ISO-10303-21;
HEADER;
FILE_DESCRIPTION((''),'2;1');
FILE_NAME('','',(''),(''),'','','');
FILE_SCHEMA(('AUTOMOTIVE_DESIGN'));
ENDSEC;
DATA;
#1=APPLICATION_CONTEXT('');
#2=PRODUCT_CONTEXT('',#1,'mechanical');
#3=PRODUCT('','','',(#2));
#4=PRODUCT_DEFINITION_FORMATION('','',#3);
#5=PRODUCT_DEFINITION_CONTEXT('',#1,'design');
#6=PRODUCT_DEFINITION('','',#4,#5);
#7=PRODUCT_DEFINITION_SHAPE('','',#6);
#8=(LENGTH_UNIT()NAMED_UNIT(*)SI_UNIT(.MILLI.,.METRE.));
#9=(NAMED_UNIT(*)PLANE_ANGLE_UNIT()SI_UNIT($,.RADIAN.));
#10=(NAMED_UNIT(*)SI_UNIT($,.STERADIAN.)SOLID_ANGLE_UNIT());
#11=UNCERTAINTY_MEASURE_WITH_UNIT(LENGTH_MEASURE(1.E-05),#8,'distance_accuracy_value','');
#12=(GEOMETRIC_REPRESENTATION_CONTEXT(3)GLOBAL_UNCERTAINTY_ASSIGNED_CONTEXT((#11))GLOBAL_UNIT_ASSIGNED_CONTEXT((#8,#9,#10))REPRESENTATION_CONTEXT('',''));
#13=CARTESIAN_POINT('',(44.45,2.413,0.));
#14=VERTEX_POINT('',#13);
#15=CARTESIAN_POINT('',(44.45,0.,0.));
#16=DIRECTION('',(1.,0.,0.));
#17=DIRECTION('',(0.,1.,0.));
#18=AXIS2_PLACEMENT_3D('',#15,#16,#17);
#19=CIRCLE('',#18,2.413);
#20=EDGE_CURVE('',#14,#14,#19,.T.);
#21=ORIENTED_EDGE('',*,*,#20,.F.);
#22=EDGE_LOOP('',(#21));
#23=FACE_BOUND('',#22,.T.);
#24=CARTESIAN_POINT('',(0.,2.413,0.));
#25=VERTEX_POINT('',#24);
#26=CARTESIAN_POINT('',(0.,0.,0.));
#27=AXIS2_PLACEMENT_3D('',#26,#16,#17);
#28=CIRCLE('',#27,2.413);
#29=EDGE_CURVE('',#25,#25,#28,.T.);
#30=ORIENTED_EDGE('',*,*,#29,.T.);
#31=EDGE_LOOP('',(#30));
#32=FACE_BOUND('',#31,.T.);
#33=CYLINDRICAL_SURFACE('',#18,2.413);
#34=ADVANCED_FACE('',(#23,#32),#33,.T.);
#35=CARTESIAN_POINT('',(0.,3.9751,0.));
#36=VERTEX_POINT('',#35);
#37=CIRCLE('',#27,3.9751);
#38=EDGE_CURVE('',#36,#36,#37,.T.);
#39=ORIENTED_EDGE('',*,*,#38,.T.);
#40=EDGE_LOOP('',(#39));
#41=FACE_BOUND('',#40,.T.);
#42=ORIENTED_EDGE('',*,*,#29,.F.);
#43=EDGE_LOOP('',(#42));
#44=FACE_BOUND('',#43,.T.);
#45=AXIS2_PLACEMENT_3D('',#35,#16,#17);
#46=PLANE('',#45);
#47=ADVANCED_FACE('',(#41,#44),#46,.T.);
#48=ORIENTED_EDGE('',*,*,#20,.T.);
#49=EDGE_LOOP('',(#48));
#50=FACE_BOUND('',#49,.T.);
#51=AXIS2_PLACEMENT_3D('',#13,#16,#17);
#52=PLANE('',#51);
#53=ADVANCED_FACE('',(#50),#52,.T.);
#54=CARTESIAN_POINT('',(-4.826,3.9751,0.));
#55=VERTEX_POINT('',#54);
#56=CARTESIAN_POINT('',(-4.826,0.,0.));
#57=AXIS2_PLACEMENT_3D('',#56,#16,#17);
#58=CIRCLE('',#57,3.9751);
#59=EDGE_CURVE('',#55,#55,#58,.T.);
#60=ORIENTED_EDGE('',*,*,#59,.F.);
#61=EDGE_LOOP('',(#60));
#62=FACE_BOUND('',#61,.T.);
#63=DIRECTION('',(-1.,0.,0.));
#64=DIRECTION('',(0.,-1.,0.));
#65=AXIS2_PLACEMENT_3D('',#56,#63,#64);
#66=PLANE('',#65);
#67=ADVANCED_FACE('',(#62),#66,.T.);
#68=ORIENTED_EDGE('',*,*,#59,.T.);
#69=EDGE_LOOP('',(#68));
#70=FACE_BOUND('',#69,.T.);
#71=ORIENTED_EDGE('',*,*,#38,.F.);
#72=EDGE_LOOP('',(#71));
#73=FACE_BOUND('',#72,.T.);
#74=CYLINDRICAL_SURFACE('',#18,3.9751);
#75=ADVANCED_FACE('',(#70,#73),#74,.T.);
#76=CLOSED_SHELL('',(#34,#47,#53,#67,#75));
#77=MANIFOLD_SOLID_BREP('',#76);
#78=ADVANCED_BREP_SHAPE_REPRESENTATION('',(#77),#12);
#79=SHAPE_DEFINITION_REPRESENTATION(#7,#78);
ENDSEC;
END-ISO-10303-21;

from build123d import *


with BuildPart() as part:
    # Sketch1 → Revolve1 (revolve)
    with BuildSketch(Plane.XY):
        Polygon((0, 2.413), (44.45, 2.413), (44.45, 0), (-4.826, 0), (-4.826, 3.9751), (0, 3.9751), align=None)
    revolve(axis=Axis((44.45, 0, 0), (-1, 0, 0)))


solid = part.part
